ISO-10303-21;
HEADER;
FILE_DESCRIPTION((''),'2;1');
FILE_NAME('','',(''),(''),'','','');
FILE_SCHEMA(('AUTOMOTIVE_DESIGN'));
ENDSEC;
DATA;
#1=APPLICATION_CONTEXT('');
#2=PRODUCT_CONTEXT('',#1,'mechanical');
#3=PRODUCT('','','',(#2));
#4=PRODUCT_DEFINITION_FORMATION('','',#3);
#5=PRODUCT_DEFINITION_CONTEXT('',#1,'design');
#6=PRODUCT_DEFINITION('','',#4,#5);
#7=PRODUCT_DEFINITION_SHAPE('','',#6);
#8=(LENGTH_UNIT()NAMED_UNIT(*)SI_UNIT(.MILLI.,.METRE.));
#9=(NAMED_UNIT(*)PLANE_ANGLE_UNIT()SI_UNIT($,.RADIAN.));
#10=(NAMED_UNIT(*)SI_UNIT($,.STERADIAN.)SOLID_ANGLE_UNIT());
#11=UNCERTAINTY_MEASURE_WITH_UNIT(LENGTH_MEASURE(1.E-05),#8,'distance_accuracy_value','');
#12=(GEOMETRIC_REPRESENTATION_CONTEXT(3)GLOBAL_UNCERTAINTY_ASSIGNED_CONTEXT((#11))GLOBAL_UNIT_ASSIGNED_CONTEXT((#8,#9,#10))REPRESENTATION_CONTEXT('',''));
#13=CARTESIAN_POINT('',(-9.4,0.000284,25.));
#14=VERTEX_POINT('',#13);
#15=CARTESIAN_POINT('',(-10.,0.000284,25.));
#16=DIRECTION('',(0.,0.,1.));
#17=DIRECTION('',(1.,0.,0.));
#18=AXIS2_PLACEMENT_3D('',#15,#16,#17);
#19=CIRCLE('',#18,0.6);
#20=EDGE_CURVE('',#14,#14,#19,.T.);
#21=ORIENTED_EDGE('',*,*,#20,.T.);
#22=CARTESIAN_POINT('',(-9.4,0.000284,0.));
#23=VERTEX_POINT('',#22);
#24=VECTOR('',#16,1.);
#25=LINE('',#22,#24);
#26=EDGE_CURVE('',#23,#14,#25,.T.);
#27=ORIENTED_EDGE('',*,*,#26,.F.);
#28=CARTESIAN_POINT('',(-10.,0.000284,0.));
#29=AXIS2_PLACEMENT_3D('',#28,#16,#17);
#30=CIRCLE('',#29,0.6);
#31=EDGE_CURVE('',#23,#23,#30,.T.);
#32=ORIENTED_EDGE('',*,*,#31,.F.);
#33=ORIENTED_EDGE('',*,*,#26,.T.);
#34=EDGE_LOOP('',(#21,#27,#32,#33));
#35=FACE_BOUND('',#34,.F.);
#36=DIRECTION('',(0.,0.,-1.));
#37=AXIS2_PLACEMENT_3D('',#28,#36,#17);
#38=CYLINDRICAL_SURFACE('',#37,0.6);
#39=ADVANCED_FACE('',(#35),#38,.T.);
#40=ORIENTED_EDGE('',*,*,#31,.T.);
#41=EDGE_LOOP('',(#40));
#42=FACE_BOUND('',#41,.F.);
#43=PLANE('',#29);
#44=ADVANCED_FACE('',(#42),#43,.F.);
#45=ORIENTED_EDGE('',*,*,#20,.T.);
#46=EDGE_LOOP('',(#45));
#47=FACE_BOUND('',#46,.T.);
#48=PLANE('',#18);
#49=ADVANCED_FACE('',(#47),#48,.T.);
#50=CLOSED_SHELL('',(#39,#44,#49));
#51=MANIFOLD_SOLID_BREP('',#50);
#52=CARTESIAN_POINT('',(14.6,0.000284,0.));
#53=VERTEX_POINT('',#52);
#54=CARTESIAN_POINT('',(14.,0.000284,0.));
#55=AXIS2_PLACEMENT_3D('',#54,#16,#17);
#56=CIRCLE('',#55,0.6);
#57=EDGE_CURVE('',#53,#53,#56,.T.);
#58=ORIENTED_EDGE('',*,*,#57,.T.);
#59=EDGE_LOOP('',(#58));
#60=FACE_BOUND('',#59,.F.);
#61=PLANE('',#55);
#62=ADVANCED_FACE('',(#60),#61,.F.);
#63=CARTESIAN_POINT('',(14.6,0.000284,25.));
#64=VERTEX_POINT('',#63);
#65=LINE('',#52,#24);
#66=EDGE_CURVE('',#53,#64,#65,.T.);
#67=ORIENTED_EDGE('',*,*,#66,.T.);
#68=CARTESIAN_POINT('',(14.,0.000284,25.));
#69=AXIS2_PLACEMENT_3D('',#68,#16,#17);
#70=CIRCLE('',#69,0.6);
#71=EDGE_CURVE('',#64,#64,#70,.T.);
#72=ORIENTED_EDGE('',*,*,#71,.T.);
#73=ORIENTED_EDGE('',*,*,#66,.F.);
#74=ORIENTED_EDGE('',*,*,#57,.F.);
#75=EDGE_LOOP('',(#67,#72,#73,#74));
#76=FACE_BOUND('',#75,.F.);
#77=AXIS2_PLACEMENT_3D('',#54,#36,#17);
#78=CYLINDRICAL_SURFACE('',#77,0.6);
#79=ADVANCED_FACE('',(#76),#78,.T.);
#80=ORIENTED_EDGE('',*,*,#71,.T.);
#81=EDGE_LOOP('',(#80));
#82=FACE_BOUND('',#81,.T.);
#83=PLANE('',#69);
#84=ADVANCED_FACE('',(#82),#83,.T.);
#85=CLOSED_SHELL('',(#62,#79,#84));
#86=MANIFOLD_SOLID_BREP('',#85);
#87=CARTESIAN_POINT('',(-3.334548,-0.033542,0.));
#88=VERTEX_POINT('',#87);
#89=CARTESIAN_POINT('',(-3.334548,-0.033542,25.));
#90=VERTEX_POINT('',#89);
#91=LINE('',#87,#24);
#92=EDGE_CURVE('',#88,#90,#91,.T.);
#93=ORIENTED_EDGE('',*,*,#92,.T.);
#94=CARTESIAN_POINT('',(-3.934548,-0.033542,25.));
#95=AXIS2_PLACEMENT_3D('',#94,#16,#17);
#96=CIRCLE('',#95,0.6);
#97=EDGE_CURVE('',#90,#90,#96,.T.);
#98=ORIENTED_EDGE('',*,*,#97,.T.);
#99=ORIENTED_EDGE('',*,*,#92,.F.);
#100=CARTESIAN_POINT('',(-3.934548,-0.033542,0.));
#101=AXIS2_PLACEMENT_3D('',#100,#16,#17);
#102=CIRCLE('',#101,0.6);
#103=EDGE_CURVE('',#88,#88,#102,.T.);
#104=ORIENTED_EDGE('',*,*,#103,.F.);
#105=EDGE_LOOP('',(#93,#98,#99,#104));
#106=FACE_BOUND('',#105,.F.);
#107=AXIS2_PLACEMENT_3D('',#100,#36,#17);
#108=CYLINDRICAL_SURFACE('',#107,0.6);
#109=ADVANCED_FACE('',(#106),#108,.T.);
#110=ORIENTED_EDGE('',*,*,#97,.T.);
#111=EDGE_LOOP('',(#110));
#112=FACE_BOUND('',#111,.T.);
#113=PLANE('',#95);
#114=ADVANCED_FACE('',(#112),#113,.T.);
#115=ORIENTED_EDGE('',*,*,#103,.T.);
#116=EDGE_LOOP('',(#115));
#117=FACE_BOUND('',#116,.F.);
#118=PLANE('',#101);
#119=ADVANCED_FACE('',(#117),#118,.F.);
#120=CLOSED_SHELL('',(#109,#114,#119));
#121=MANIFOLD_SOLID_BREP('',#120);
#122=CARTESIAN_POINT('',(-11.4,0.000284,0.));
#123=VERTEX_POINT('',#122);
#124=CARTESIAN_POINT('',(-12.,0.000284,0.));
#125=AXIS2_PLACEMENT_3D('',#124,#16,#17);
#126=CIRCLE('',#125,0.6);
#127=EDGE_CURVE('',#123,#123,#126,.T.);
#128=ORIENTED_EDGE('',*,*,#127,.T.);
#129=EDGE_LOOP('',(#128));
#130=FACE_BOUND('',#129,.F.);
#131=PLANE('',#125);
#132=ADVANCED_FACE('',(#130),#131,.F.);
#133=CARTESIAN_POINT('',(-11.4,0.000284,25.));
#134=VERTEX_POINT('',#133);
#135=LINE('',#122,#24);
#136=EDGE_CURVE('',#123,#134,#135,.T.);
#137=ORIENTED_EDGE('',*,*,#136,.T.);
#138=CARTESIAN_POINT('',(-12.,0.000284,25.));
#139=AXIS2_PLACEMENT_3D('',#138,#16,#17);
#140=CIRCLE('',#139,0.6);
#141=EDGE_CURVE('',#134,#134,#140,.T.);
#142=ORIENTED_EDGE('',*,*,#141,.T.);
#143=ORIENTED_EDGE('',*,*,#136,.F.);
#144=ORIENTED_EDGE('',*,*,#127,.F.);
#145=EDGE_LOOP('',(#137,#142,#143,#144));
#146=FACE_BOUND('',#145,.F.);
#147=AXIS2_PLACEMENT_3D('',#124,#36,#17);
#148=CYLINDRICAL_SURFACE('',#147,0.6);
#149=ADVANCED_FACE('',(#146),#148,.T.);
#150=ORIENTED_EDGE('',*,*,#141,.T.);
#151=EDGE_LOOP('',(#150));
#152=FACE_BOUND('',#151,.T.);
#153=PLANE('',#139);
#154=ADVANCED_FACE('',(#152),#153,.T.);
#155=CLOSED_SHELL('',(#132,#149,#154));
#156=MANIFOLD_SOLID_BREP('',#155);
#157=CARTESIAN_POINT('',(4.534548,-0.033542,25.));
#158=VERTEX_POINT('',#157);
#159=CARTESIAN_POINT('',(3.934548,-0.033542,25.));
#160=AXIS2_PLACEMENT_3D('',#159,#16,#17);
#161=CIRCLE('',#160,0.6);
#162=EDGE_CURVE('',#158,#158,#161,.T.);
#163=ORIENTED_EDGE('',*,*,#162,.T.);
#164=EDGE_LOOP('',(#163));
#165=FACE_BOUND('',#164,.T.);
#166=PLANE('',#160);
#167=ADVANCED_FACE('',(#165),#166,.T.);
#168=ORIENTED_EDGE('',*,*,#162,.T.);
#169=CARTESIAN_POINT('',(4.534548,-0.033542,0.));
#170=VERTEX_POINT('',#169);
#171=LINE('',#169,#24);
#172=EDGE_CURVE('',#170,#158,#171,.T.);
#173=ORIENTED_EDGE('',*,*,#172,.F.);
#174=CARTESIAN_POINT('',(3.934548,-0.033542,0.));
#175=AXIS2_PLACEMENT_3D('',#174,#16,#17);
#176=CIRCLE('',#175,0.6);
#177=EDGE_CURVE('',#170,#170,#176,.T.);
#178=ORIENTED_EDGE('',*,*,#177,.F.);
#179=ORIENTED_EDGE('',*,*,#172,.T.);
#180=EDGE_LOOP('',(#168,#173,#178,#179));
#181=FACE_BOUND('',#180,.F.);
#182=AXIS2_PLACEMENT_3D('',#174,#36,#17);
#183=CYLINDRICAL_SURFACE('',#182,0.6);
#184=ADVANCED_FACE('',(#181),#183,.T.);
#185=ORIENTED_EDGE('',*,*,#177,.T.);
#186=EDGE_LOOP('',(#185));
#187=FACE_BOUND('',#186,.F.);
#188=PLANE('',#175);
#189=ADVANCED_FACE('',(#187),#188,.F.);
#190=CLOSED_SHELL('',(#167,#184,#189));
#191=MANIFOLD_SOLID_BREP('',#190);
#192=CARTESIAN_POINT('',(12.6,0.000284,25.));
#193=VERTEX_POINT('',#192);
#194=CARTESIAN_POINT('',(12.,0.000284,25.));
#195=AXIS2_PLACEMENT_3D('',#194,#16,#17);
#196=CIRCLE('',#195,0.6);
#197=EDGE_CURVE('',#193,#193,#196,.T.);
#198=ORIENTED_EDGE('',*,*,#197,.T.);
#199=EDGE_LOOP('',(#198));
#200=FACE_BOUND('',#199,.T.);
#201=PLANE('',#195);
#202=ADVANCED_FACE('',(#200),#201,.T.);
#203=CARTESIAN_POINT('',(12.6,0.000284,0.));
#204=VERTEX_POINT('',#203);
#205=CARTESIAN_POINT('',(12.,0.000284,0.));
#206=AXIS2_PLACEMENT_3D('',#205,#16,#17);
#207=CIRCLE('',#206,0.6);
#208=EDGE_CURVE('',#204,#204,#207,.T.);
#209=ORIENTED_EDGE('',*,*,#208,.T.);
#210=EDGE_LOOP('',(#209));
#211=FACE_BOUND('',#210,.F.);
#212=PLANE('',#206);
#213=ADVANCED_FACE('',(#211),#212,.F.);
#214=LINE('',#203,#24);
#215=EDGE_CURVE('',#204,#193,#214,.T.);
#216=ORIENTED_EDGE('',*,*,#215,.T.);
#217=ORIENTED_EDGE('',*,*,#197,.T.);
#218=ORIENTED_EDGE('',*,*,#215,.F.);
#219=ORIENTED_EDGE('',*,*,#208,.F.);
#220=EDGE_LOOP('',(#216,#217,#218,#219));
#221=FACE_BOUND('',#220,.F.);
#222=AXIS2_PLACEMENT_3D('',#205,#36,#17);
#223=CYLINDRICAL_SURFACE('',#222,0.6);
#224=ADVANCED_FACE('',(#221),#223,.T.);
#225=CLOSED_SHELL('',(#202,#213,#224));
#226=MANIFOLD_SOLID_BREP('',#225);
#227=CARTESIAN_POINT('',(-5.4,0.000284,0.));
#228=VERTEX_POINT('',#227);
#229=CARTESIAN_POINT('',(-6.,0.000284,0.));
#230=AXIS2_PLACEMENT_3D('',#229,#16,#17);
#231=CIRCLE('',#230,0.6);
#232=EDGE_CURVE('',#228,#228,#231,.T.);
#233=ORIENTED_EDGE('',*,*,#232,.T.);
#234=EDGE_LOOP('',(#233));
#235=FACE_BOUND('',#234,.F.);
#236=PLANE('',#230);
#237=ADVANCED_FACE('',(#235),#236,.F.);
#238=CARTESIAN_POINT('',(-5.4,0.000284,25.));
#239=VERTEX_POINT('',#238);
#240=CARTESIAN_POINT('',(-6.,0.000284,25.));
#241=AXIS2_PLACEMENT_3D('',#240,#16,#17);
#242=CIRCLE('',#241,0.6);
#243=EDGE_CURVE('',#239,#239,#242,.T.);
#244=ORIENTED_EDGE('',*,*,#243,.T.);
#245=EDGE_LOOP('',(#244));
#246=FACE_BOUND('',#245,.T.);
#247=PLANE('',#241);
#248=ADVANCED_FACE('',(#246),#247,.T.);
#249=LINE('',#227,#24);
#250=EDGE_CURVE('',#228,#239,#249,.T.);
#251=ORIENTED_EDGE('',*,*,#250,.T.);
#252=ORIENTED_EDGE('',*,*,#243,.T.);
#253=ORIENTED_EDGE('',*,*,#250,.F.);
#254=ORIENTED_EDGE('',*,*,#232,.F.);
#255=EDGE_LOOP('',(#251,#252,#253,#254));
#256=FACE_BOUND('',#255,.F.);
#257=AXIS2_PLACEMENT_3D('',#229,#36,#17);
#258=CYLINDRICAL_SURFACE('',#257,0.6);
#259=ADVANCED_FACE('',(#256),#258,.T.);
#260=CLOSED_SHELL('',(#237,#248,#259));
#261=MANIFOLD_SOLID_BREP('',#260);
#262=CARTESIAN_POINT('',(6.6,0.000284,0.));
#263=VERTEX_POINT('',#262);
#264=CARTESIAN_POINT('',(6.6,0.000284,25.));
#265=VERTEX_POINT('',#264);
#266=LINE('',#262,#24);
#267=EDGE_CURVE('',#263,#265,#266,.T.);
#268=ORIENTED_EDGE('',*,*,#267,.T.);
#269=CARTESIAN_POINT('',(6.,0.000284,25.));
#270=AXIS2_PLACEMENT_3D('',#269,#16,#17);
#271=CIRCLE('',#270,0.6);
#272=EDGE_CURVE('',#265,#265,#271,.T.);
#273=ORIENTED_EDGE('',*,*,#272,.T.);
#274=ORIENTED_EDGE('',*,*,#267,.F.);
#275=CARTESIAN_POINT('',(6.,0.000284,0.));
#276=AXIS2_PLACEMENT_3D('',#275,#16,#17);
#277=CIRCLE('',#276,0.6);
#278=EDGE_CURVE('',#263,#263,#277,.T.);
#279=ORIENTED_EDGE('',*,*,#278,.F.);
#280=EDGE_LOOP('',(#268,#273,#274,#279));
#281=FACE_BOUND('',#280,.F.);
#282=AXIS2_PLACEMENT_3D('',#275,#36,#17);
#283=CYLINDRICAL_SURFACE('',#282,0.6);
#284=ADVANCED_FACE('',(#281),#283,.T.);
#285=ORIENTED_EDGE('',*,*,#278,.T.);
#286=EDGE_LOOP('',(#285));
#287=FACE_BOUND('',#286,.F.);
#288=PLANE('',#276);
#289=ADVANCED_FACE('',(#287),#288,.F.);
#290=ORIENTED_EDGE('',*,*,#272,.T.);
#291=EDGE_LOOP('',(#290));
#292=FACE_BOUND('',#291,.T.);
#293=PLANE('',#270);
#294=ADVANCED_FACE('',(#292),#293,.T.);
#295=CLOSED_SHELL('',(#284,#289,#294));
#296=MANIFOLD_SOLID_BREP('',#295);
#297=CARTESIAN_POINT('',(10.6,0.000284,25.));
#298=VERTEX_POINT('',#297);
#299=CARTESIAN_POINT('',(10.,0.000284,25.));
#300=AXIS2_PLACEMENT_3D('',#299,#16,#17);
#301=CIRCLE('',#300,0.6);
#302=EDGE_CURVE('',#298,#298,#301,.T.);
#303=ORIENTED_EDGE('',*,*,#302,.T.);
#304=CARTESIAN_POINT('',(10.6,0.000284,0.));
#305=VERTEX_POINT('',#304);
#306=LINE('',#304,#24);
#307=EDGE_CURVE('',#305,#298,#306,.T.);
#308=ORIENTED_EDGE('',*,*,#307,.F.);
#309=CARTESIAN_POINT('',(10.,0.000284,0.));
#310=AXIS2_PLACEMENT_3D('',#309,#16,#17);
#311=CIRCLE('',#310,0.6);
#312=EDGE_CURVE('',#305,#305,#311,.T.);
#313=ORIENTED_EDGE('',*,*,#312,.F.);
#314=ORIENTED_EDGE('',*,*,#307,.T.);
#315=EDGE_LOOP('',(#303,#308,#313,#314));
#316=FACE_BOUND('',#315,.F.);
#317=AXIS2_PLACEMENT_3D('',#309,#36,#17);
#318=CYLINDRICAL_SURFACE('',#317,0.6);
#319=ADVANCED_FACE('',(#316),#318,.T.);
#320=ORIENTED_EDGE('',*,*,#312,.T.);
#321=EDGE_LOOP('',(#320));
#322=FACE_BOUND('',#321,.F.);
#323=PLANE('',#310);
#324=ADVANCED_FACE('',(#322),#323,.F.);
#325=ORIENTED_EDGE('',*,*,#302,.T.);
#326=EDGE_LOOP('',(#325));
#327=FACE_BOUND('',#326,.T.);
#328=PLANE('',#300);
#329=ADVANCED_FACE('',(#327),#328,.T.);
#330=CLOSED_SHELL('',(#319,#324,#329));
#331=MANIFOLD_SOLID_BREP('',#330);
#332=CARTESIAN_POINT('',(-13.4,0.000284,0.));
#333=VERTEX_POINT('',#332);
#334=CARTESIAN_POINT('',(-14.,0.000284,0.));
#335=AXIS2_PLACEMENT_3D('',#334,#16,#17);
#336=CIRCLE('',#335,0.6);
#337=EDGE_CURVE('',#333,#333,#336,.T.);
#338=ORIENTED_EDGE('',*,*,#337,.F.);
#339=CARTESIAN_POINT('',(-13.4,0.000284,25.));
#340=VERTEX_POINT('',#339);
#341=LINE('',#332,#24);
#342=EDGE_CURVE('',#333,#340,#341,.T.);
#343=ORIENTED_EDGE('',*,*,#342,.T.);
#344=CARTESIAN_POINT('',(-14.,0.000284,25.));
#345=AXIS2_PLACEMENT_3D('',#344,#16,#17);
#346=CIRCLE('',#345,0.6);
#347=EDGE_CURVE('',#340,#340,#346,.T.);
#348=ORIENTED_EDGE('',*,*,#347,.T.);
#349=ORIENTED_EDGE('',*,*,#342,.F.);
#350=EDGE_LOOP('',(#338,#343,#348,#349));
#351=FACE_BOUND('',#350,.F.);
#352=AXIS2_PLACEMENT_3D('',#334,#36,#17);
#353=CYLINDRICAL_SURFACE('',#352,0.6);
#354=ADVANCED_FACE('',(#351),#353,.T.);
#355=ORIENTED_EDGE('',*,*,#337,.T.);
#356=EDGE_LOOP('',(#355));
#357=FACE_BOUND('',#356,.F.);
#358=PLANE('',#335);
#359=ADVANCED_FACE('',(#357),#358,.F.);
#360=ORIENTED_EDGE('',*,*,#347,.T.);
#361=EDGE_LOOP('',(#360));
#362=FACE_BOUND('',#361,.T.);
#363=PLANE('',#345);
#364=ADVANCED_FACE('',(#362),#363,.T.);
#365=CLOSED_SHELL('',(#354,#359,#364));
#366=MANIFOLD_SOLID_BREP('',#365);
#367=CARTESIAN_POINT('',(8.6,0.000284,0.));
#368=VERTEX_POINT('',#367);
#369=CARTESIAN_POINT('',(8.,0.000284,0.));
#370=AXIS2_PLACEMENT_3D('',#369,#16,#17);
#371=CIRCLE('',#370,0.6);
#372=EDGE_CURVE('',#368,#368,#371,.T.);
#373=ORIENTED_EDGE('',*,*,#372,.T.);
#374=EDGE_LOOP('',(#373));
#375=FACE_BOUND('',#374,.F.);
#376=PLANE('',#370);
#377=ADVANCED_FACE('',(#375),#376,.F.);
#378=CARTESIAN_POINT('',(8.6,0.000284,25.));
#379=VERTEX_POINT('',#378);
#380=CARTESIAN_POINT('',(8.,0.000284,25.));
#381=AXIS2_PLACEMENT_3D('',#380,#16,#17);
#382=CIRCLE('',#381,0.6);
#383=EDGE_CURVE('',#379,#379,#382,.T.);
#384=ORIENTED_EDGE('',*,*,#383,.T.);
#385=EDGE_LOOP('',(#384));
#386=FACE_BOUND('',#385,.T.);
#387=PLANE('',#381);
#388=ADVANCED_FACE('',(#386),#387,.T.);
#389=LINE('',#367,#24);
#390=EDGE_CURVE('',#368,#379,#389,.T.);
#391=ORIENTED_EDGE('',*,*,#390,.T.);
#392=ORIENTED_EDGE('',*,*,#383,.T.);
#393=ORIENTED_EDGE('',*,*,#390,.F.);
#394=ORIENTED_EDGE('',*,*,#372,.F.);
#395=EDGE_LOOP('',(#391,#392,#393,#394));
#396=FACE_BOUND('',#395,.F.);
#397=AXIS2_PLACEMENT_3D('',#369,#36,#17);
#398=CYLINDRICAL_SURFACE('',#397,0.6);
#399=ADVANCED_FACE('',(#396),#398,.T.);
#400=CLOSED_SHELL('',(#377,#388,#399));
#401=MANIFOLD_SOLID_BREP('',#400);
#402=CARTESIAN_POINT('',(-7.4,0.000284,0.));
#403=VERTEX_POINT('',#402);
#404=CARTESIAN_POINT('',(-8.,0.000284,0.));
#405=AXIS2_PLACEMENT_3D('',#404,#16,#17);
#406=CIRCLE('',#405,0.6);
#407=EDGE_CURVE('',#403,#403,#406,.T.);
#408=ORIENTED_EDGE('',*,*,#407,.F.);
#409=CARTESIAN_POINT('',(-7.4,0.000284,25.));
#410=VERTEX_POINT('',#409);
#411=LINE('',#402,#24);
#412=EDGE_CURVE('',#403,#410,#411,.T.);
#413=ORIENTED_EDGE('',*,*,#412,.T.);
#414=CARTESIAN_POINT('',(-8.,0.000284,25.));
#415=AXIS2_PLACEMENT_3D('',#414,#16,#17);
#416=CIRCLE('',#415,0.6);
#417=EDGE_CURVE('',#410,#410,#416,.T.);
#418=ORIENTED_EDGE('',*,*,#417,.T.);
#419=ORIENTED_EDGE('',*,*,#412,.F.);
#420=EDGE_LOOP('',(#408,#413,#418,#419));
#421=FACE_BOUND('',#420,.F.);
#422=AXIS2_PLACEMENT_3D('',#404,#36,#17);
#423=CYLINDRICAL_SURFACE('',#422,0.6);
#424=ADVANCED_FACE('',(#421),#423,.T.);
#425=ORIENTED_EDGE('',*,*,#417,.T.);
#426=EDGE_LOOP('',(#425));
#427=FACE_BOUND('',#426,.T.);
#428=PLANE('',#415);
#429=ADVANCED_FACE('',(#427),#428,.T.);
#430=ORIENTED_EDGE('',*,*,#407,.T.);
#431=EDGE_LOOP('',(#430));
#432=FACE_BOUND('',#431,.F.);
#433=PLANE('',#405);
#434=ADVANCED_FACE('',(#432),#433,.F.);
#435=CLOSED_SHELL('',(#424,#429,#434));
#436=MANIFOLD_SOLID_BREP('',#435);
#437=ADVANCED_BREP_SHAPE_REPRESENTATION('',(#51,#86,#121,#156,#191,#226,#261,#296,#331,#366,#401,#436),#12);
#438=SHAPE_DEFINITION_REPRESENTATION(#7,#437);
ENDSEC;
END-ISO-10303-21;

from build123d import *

# Parameters (mm, degrees)
F0_R     = 0.6
F1_DEPTH = 25


with BuildPart() as f1:
    # F0 (on Top) → F1 (new body)
    with BuildSketch(Plane.XY):
        with Locations((6, 0.000284)):
            Circle(F0_R)
        with Locations((8, 0.000284)):
            Circle(F0_R)
        with Locations((10, 0.000284)):
            Circle(F0_R)
        with Locations((12, 0.000284)):
            Circle(F0_R)
        with Locations((14, 0.000284)):
            Circle(F0_R)
        with Locations((3.934548, -0.033542)):
            Circle(F0_R)
        with Locations((-14, 0.000284)):
            Circle(F0_R)
        with Locations((-12, 0.000284)):
            Circle(F0_R)
        with Locations((-10, 0.000284)):
            Circle(F0_R)
        with Locations((-8, 0.000284)):
            Circle(F0_R)
        with Locations((-6, 0.000284)):
            Circle(F0_R)
        with Locations((-3.934548, -0.033542)):
            Circle(F0_R)
    extrude(amount=F1_DEPTH)


solid = f1.part
